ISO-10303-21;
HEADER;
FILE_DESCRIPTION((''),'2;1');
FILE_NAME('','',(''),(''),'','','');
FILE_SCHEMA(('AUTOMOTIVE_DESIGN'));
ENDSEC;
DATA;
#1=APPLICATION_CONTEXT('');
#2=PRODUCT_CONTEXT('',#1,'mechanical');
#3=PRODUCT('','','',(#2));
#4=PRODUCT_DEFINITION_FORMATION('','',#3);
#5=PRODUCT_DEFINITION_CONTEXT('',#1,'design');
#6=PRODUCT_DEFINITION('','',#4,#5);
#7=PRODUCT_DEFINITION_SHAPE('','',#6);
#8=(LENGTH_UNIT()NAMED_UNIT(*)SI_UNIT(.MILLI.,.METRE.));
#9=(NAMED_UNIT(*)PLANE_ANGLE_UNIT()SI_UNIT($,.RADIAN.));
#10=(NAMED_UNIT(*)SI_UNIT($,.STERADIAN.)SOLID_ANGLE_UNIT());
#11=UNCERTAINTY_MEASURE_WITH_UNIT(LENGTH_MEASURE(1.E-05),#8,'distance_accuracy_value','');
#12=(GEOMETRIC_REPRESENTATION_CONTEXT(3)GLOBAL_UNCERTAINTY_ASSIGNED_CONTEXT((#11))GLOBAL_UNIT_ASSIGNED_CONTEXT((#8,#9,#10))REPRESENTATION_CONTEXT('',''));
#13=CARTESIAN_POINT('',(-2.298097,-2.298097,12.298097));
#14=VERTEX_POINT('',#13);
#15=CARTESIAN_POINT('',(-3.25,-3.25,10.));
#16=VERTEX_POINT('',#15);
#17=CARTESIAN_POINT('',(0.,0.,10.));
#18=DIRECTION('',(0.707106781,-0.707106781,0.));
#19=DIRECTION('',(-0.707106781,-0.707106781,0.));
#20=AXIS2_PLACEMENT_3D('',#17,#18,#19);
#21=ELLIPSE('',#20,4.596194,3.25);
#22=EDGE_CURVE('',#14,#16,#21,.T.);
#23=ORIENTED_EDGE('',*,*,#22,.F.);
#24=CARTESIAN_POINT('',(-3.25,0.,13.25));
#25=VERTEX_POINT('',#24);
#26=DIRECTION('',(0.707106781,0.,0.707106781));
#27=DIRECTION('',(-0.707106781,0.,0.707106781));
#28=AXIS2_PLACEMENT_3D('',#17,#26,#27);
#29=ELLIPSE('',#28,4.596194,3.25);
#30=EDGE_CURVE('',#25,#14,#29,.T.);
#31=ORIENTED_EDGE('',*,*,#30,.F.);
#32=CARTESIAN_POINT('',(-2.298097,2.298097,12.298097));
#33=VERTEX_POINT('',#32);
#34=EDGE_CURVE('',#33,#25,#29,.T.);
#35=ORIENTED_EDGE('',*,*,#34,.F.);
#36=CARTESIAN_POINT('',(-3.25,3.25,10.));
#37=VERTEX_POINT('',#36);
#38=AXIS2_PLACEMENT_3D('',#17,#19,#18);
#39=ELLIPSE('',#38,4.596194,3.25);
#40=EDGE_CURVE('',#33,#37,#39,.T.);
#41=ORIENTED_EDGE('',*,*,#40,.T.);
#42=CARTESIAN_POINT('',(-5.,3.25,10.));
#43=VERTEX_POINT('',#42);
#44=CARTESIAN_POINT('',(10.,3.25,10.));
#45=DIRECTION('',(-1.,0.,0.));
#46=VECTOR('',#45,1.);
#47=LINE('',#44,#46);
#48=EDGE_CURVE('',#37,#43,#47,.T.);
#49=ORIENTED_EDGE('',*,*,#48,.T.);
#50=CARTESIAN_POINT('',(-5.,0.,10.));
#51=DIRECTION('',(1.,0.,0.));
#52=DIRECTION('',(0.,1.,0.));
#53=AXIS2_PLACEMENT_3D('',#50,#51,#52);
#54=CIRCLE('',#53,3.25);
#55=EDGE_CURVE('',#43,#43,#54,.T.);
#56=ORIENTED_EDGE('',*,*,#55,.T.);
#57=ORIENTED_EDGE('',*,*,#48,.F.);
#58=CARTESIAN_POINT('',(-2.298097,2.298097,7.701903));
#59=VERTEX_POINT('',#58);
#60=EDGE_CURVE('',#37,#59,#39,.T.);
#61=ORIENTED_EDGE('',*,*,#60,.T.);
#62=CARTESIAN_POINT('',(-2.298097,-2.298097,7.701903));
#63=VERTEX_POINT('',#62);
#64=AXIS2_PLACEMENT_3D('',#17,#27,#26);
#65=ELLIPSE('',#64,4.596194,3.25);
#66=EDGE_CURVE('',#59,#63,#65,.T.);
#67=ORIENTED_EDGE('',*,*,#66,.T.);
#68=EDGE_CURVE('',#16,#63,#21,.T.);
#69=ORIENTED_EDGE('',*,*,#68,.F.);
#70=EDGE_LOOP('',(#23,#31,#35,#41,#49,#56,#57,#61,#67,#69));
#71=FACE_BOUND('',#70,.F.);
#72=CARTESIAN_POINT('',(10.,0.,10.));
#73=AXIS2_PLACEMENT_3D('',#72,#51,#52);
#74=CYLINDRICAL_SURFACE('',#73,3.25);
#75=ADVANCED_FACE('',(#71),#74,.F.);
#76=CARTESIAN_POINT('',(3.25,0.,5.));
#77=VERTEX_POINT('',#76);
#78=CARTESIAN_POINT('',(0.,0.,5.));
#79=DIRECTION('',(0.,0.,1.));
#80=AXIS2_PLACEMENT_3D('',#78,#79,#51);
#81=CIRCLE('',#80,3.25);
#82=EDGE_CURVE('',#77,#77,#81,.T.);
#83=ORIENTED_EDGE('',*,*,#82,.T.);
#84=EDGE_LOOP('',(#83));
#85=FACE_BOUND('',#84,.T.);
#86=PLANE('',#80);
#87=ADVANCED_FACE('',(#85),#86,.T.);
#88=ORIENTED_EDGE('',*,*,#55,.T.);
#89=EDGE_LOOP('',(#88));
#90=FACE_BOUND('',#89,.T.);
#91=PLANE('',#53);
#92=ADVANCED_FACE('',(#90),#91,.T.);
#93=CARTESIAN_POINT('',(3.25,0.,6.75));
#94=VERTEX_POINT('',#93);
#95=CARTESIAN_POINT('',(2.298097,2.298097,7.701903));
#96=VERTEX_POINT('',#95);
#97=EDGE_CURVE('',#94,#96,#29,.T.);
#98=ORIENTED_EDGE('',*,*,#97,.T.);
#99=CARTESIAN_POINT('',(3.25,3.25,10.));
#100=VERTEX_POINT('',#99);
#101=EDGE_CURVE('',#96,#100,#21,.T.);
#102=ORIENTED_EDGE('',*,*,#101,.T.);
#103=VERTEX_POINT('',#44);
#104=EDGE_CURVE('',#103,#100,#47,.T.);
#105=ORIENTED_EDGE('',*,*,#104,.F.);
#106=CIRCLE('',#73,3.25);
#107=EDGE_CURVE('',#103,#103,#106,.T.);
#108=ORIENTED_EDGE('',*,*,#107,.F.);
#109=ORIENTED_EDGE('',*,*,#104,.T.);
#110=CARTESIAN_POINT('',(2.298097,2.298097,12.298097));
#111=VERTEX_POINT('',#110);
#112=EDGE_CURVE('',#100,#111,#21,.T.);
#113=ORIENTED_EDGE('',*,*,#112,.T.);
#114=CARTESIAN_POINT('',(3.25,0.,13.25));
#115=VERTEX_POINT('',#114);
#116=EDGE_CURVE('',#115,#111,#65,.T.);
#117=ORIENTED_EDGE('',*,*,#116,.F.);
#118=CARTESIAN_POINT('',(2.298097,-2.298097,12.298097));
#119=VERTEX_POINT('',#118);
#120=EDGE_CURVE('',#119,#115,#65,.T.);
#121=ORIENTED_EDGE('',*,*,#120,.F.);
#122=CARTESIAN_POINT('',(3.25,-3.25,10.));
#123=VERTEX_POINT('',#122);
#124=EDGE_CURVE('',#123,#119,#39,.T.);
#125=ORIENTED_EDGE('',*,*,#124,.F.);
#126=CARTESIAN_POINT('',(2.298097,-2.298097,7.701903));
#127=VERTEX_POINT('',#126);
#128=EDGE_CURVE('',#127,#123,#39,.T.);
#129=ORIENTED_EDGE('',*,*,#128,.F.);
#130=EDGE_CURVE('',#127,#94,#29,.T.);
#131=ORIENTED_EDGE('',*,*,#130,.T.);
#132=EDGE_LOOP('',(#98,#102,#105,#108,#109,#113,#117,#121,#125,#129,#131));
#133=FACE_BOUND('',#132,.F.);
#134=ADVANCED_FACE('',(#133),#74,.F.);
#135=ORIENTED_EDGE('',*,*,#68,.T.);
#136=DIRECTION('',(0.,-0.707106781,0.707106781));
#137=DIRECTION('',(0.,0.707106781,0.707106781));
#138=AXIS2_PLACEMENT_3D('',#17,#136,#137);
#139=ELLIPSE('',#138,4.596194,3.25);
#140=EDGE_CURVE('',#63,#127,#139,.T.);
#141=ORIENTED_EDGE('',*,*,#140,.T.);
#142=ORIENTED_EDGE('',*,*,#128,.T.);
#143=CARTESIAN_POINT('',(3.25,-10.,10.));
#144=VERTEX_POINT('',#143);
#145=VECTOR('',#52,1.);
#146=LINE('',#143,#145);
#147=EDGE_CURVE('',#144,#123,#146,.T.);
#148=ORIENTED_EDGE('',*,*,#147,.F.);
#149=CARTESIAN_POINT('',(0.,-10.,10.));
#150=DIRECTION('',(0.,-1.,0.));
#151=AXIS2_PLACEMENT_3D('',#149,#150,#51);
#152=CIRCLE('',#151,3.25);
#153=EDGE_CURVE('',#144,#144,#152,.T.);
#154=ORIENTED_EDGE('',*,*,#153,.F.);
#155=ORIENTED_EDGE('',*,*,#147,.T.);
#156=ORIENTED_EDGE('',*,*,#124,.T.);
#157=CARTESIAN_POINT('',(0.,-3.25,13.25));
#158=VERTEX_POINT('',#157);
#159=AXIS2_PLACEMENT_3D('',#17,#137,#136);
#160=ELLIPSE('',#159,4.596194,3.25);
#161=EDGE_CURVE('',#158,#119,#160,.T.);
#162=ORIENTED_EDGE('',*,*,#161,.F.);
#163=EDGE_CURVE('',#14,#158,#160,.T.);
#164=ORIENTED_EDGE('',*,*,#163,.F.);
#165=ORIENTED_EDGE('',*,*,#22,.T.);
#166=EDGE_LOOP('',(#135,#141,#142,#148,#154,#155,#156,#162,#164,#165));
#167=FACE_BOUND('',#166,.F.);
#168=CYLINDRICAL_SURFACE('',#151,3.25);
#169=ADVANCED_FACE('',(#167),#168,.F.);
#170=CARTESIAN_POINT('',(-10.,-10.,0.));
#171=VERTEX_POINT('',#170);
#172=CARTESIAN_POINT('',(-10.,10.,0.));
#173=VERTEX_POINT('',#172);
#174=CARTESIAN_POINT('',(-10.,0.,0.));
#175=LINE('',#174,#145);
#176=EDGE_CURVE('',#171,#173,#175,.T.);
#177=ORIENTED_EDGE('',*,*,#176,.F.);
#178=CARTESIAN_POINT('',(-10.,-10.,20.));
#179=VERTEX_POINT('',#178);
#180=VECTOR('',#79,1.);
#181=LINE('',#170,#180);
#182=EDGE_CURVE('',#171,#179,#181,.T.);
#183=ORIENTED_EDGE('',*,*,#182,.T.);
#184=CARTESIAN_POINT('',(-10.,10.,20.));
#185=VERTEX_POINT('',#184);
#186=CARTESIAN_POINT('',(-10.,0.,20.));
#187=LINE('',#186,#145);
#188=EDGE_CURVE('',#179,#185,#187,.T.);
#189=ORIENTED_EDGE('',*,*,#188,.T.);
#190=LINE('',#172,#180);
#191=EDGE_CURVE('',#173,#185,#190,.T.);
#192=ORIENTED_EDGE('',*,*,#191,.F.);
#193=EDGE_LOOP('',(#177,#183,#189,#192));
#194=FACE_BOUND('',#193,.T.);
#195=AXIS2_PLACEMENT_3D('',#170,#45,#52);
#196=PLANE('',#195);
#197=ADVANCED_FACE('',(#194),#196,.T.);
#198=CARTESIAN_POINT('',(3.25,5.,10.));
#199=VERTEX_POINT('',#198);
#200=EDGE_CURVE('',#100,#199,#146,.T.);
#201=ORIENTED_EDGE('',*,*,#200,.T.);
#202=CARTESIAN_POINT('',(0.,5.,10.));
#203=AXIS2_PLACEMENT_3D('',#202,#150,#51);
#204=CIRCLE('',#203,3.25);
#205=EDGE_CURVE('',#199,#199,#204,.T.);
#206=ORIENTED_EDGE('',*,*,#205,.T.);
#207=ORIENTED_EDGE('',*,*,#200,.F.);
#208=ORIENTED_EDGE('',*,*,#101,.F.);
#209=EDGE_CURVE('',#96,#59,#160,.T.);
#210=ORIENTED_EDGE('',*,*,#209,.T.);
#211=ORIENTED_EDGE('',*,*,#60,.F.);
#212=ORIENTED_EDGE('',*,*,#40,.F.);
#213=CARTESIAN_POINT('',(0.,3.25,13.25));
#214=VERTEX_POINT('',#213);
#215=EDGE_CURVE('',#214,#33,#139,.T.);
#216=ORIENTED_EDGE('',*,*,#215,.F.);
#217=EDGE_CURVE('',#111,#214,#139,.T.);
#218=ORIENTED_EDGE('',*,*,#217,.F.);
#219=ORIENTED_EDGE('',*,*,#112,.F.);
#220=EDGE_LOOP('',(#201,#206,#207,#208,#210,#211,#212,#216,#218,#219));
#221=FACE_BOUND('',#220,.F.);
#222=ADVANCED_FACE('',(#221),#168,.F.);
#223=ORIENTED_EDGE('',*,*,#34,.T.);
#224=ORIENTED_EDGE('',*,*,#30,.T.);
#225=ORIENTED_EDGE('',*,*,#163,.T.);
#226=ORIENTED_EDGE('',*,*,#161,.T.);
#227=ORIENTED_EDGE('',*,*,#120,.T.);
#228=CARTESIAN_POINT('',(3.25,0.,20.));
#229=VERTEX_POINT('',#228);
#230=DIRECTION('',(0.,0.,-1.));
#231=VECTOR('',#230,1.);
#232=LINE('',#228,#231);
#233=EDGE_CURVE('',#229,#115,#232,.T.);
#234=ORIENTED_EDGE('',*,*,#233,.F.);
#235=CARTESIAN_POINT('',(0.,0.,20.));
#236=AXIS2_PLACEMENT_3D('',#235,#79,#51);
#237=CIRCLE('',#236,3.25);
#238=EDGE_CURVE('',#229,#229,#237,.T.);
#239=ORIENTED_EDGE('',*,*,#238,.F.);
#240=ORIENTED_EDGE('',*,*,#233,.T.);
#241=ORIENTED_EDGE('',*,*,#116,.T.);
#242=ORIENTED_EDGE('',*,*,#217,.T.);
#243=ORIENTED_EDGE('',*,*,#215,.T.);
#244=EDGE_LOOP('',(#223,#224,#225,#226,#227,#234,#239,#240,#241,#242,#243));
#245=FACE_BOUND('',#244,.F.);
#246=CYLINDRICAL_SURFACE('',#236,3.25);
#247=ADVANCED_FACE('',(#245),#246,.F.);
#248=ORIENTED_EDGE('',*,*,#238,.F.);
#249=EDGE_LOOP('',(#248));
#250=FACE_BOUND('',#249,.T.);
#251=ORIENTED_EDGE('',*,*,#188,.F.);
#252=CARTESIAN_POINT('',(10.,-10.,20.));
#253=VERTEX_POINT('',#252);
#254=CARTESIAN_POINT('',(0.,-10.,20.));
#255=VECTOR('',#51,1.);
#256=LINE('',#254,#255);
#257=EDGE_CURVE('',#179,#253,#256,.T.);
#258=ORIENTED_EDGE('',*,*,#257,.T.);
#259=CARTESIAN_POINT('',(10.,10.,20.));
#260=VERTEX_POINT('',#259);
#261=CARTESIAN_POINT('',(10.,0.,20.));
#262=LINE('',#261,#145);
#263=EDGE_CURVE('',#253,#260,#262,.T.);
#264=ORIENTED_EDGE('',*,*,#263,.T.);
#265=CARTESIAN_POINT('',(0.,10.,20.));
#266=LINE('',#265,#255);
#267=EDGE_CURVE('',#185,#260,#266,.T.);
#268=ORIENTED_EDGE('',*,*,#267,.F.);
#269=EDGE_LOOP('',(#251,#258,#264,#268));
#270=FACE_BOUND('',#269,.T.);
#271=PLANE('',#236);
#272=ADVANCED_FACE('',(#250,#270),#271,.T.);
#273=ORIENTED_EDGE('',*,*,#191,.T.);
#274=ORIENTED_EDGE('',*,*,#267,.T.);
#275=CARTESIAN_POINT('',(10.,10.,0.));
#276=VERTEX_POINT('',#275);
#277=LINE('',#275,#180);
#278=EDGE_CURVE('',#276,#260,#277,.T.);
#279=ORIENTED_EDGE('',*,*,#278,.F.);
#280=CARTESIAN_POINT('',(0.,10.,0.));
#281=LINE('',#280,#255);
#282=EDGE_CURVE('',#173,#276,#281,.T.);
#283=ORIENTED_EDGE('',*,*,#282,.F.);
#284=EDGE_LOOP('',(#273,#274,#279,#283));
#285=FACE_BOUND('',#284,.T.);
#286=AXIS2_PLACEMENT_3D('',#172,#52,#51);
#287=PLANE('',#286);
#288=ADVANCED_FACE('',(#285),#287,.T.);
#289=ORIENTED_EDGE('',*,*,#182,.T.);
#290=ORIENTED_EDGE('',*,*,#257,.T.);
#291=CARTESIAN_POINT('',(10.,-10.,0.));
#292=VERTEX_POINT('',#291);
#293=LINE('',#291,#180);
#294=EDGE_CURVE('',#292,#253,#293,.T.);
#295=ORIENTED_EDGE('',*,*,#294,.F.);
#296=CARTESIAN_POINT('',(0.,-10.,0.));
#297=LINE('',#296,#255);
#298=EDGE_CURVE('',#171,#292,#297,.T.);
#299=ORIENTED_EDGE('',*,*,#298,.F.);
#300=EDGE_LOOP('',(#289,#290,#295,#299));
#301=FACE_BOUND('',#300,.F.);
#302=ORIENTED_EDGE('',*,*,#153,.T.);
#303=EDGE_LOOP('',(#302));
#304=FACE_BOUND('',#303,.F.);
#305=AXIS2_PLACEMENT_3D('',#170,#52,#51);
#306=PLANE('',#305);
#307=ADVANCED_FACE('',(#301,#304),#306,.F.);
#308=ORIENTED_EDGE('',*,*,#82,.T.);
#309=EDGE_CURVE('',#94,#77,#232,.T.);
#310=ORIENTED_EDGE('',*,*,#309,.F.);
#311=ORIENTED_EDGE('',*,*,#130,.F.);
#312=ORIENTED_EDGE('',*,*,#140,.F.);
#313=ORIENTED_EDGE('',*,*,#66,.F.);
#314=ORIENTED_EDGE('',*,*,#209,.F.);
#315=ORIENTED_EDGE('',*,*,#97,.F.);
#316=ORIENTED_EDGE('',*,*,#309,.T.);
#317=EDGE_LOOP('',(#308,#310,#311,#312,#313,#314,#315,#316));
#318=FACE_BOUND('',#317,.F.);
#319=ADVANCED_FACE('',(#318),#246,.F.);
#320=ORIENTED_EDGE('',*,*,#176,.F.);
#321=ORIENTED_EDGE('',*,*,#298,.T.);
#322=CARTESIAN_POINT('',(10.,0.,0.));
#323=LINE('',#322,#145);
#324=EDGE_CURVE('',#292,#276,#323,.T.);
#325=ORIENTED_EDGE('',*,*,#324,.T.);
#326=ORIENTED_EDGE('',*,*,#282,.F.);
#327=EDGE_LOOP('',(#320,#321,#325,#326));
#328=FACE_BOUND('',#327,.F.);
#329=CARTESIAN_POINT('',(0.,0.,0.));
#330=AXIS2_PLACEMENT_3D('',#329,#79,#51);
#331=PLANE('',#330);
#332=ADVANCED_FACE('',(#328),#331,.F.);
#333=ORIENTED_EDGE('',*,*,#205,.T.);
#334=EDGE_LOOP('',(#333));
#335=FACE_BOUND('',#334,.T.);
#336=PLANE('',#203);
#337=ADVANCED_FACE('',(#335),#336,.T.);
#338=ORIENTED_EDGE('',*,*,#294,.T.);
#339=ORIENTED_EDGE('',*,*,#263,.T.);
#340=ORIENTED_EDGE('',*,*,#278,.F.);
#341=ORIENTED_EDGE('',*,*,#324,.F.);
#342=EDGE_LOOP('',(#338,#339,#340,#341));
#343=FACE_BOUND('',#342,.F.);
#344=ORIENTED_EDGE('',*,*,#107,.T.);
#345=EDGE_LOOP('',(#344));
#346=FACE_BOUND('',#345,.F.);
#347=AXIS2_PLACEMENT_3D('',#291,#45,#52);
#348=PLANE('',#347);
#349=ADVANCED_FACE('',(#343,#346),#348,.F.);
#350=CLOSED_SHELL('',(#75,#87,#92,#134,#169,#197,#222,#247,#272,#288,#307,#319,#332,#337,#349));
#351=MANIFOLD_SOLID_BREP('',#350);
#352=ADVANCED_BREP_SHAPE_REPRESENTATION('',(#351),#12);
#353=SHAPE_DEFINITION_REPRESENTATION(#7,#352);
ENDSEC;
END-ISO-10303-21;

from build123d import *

# Parameters (mm, degrees)
F0_W     = 20
F0_H     = 20
F1_DEPTH = 20
F2_R     = 3.25
F3_DEPTH = 15
F4_R     = 3.25
F5_DEPTH = 15
F6_R     = 3.25
F7_DEPTH = 15


with BuildPart() as f1:
    # F0 (on Top) → F1 (new body)
    with BuildSketch(Plane.XY):
        Rectangle(F0_W, F0_H)
    extrude(amount=F1_DEPTH)

    # F2 (on face) → F3 (cut)
    with BuildSketch(Plane.XY.offset(20)):
        Circle(F2_R)
    extrude(amount=-F3_DEPTH, mode=Mode.SUBTRACT)

    # F4 (on face) → F5 (cut)
    with BuildSketch(Plane.XZ.offset(10)):
        with Locations((0, 10)):
            Circle(F4_R)
    extrude(amount=-F5_DEPTH, mode=Mode.SUBTRACT)

    # F6 (on face) → F7 (cut)
    with BuildSketch(Plane.YZ.offset(10)):
        with Locations((0, 10)):
            Circle(F6_R)
    extrude(amount=-F7_DEPTH, mode=Mode.SUBTRACT)


solid = f1.part
